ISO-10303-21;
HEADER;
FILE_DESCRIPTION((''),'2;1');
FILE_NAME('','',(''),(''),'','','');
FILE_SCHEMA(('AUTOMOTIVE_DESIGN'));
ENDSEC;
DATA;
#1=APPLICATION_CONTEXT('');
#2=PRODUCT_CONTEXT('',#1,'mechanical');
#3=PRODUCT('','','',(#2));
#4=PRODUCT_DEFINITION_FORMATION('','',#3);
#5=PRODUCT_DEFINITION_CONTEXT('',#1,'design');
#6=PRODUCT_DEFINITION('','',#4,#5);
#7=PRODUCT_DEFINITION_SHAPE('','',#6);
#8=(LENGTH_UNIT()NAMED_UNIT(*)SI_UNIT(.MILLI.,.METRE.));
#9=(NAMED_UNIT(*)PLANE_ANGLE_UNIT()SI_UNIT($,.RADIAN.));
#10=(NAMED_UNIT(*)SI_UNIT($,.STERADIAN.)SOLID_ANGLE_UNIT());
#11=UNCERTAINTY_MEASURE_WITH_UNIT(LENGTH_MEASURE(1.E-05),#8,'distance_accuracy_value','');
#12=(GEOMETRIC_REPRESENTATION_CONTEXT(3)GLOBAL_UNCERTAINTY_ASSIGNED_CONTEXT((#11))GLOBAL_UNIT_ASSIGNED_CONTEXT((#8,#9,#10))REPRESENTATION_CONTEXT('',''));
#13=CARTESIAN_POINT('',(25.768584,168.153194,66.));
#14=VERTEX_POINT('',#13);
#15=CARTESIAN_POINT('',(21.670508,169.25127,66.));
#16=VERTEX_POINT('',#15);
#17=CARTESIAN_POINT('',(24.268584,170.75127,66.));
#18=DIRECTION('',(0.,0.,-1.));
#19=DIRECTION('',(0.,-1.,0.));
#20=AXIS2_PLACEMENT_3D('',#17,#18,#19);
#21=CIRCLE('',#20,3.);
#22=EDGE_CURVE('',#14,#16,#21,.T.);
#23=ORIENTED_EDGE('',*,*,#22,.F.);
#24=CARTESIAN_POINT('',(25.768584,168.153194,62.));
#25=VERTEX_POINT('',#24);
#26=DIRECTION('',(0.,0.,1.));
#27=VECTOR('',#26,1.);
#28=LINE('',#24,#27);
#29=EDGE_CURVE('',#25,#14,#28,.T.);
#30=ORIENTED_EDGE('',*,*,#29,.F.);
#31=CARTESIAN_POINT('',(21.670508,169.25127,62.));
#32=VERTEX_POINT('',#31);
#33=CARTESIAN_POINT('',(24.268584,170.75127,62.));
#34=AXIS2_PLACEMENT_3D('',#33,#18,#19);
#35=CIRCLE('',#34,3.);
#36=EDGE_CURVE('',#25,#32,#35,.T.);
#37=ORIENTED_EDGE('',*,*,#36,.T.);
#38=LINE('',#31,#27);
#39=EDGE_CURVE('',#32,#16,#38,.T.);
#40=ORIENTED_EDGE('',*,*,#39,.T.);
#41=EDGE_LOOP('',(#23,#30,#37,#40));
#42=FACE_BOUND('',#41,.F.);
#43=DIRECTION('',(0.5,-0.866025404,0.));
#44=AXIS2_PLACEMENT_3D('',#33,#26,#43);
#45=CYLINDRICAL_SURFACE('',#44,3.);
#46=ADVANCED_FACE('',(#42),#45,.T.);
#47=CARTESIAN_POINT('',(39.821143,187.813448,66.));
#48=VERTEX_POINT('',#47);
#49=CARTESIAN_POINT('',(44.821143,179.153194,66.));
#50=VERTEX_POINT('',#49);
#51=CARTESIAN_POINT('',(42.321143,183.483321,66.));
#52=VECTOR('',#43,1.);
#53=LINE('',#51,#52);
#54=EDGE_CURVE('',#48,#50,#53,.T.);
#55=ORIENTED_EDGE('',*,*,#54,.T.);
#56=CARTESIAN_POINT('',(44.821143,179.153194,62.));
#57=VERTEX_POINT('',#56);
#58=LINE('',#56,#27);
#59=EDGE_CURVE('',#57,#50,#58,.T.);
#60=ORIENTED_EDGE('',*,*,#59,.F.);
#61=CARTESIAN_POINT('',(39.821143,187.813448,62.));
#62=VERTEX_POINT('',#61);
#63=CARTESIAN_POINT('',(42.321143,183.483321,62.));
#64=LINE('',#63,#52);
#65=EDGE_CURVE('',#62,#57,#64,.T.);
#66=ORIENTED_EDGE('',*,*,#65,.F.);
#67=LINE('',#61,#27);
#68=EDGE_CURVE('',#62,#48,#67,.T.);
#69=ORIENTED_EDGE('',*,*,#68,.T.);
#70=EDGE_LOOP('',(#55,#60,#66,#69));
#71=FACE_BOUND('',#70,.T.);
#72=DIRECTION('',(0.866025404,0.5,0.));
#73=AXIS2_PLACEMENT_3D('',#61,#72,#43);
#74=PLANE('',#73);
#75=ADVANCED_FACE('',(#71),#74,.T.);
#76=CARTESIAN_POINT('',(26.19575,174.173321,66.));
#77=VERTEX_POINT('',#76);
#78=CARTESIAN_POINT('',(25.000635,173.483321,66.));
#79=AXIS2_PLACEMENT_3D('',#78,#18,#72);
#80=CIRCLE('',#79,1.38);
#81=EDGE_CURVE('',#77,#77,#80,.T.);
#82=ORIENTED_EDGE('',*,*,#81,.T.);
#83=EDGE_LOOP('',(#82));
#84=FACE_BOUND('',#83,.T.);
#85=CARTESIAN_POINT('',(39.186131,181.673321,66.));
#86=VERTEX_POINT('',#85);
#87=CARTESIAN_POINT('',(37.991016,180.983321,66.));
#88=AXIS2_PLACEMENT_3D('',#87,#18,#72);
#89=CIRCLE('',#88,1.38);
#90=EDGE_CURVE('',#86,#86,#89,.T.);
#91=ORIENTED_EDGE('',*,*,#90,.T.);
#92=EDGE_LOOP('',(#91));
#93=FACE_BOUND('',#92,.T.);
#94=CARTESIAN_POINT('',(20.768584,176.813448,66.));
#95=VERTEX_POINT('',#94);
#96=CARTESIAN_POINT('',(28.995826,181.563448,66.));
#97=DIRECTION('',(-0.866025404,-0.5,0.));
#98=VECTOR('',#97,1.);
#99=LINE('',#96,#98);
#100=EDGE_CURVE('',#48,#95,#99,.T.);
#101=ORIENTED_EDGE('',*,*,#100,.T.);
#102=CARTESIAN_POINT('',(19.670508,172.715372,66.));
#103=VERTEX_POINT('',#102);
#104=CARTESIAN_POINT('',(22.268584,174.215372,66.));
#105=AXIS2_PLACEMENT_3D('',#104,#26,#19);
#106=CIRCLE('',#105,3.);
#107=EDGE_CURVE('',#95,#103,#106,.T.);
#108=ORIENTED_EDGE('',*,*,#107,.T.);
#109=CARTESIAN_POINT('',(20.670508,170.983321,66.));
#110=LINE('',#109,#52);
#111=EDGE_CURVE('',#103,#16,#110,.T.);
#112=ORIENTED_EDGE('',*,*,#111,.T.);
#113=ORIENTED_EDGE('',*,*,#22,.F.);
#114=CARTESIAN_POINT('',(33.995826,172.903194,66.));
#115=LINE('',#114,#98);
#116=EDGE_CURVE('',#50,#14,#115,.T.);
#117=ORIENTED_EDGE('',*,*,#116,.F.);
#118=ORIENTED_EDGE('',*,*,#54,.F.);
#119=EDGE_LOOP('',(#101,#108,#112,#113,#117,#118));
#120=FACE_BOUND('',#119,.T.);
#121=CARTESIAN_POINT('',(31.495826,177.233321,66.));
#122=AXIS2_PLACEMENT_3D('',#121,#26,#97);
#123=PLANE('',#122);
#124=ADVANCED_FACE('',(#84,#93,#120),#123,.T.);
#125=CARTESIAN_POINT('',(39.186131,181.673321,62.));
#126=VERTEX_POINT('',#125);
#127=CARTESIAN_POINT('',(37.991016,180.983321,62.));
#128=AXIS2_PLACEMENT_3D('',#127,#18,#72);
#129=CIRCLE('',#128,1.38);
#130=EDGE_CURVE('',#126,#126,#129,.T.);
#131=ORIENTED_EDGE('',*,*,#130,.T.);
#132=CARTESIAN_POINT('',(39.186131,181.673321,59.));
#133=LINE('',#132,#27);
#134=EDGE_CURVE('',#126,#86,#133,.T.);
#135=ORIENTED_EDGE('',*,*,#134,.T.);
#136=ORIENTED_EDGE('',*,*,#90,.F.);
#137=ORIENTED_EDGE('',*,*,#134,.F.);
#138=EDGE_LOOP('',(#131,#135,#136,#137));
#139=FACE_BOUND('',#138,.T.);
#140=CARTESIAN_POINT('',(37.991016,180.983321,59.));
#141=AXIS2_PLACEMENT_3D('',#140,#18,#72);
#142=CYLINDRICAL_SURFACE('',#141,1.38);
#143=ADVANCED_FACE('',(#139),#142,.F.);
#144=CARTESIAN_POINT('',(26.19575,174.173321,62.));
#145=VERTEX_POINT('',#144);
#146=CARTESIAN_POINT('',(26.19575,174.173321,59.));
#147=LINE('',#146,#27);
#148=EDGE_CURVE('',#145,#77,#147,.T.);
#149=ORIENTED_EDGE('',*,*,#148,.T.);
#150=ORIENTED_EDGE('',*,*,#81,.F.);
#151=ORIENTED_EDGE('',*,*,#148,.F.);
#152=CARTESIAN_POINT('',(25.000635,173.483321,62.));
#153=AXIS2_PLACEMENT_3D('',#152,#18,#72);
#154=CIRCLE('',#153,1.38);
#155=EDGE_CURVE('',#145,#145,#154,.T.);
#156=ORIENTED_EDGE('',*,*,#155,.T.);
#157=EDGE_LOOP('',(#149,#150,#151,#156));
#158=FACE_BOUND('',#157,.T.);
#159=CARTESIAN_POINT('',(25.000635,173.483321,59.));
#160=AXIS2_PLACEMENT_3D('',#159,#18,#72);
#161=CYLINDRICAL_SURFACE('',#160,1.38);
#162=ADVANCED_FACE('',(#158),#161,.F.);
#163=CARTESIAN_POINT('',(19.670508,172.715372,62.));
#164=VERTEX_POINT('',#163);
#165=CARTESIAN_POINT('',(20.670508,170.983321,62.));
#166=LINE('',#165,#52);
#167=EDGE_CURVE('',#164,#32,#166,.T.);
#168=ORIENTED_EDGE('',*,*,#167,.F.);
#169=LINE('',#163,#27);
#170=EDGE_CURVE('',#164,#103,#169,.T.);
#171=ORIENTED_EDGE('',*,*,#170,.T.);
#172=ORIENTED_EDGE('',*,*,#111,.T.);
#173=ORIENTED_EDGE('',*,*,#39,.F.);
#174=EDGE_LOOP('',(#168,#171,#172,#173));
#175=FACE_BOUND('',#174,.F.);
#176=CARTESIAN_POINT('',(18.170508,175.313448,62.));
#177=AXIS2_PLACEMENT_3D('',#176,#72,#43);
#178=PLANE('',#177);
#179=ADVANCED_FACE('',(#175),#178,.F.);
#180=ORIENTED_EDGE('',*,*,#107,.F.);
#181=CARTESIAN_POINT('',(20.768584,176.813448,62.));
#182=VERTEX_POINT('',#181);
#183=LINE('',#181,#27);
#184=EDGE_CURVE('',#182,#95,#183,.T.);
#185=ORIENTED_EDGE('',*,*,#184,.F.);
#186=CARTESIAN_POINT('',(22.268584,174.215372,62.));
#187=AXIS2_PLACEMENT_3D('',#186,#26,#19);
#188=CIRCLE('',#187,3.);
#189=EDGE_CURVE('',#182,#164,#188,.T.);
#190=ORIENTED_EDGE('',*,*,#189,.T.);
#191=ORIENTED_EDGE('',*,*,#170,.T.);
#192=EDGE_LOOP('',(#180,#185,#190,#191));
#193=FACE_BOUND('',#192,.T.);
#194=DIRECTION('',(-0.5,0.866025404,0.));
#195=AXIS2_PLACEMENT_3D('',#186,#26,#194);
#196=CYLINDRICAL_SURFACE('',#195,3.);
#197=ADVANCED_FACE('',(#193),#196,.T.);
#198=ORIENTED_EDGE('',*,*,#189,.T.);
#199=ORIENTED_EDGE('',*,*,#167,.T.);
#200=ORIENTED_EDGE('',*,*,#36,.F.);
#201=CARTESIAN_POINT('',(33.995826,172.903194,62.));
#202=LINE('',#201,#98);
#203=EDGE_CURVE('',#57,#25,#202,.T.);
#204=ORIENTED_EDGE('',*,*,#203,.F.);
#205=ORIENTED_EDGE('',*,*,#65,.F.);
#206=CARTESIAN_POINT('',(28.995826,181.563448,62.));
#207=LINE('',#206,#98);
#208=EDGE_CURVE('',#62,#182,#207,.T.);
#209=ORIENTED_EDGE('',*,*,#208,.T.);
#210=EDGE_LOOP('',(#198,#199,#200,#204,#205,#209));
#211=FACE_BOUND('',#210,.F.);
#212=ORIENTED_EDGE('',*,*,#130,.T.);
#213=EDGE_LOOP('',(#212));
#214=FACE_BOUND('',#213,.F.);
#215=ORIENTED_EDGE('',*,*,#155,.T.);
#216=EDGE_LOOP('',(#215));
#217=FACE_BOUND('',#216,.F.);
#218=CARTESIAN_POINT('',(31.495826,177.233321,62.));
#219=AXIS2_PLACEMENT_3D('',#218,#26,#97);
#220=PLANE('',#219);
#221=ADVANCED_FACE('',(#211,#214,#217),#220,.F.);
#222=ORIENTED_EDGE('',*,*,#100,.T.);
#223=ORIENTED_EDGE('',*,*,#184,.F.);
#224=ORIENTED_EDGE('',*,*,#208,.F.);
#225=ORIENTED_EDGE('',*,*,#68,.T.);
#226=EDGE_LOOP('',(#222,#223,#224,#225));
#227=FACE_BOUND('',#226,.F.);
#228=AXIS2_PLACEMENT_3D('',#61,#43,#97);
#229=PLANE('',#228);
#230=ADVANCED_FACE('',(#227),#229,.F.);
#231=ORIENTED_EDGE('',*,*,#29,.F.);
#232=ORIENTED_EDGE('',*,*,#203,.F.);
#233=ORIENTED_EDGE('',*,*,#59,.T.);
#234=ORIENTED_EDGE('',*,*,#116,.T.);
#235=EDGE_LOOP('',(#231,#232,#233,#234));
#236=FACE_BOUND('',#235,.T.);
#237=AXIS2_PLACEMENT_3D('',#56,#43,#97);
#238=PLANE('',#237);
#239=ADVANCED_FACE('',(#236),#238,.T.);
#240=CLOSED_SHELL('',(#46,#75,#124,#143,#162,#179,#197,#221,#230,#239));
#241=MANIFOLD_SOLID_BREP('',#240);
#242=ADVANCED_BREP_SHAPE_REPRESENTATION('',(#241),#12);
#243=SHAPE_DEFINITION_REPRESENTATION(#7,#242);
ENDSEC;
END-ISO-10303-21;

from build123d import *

# Parameters (mm, degrees)
CYLINDER065_R          = 1.38
CYLINDER065_DEPTH      = 10
CYLINDER064_R          = 1.38
CYLINDER064_DEPTH      = 10
BOX038_W               = 25
BOX038_H               = 10
BOX038_DEPTH           = 4
CUT036_PLACEMENT_ANGLE = 30
FILLET004_R            = 3


with BuildPart() as cylinder065:
    # Cylinder065 → Cylinder065 (new body)
    with BuildSketch(Plane(origin=(25, 52, 59), x_dir=(1, 0, 0), z_dir=(0, 0, 1))):
        Circle(CYLINDER065_R)
    extrude(amount=CYLINDER065_DEPTH)


with BuildPart() as cylinder064:
    # Cylinder064 → Cylinder064 (new body)
    with BuildSketch(Plane(origin=(40, 52, 59), x_dir=(1, 0, 0), z_dir=(0, 0, 1))):
        Circle(CYLINDER064_R)
    extrude(amount=CYLINDER064_DEPTH)


with BuildPart() as fillet004:
    # Box038 → Box038 (new body)
    with BuildSketch(Plane(origin=(45, 57, 62), x_dir=(-1, 0, 0), z_dir=(0, 0, 1))):
        with Locations((12.5, 5)):
            Rectangle(BOX038_W, BOX038_H)
    extrude(amount=BOX038_DEPTH)

    # Cut037: cut Cylinder064
    add(cylinder064.part, mode=Mode.SUBTRACT)

    # Cut036: cut Cylinder065
    add(cylinder065.part, mode=Mode.SUBTRACT)


with BuildPart() as fillet004_1:
    # Cut036 placement: moved
    add(fillet004.part.moved(Location((31.35, -13.05, 0))).rotate(Axis((31.35, -13.05, 0), (0, 0, 1)), CUT036_PLACEMENT_ANGLE))

    # Fillet004
    fillet004_edges = [fillet004_1.edges().sort_by_distance(p)[0] for p in [
        (20.170508, 46.313448, 64),
        (25.170508, 37.653194, 64),
    ]]
    fillet(fillet004_edges, radius=FILLET004_R)


with BuildPart() as fillet004_2:
    # Fillet004 placement: moved
    add(fillet004_1.part.moved(Location((-2, 129, 0))))


solid = fillet004_2.part
